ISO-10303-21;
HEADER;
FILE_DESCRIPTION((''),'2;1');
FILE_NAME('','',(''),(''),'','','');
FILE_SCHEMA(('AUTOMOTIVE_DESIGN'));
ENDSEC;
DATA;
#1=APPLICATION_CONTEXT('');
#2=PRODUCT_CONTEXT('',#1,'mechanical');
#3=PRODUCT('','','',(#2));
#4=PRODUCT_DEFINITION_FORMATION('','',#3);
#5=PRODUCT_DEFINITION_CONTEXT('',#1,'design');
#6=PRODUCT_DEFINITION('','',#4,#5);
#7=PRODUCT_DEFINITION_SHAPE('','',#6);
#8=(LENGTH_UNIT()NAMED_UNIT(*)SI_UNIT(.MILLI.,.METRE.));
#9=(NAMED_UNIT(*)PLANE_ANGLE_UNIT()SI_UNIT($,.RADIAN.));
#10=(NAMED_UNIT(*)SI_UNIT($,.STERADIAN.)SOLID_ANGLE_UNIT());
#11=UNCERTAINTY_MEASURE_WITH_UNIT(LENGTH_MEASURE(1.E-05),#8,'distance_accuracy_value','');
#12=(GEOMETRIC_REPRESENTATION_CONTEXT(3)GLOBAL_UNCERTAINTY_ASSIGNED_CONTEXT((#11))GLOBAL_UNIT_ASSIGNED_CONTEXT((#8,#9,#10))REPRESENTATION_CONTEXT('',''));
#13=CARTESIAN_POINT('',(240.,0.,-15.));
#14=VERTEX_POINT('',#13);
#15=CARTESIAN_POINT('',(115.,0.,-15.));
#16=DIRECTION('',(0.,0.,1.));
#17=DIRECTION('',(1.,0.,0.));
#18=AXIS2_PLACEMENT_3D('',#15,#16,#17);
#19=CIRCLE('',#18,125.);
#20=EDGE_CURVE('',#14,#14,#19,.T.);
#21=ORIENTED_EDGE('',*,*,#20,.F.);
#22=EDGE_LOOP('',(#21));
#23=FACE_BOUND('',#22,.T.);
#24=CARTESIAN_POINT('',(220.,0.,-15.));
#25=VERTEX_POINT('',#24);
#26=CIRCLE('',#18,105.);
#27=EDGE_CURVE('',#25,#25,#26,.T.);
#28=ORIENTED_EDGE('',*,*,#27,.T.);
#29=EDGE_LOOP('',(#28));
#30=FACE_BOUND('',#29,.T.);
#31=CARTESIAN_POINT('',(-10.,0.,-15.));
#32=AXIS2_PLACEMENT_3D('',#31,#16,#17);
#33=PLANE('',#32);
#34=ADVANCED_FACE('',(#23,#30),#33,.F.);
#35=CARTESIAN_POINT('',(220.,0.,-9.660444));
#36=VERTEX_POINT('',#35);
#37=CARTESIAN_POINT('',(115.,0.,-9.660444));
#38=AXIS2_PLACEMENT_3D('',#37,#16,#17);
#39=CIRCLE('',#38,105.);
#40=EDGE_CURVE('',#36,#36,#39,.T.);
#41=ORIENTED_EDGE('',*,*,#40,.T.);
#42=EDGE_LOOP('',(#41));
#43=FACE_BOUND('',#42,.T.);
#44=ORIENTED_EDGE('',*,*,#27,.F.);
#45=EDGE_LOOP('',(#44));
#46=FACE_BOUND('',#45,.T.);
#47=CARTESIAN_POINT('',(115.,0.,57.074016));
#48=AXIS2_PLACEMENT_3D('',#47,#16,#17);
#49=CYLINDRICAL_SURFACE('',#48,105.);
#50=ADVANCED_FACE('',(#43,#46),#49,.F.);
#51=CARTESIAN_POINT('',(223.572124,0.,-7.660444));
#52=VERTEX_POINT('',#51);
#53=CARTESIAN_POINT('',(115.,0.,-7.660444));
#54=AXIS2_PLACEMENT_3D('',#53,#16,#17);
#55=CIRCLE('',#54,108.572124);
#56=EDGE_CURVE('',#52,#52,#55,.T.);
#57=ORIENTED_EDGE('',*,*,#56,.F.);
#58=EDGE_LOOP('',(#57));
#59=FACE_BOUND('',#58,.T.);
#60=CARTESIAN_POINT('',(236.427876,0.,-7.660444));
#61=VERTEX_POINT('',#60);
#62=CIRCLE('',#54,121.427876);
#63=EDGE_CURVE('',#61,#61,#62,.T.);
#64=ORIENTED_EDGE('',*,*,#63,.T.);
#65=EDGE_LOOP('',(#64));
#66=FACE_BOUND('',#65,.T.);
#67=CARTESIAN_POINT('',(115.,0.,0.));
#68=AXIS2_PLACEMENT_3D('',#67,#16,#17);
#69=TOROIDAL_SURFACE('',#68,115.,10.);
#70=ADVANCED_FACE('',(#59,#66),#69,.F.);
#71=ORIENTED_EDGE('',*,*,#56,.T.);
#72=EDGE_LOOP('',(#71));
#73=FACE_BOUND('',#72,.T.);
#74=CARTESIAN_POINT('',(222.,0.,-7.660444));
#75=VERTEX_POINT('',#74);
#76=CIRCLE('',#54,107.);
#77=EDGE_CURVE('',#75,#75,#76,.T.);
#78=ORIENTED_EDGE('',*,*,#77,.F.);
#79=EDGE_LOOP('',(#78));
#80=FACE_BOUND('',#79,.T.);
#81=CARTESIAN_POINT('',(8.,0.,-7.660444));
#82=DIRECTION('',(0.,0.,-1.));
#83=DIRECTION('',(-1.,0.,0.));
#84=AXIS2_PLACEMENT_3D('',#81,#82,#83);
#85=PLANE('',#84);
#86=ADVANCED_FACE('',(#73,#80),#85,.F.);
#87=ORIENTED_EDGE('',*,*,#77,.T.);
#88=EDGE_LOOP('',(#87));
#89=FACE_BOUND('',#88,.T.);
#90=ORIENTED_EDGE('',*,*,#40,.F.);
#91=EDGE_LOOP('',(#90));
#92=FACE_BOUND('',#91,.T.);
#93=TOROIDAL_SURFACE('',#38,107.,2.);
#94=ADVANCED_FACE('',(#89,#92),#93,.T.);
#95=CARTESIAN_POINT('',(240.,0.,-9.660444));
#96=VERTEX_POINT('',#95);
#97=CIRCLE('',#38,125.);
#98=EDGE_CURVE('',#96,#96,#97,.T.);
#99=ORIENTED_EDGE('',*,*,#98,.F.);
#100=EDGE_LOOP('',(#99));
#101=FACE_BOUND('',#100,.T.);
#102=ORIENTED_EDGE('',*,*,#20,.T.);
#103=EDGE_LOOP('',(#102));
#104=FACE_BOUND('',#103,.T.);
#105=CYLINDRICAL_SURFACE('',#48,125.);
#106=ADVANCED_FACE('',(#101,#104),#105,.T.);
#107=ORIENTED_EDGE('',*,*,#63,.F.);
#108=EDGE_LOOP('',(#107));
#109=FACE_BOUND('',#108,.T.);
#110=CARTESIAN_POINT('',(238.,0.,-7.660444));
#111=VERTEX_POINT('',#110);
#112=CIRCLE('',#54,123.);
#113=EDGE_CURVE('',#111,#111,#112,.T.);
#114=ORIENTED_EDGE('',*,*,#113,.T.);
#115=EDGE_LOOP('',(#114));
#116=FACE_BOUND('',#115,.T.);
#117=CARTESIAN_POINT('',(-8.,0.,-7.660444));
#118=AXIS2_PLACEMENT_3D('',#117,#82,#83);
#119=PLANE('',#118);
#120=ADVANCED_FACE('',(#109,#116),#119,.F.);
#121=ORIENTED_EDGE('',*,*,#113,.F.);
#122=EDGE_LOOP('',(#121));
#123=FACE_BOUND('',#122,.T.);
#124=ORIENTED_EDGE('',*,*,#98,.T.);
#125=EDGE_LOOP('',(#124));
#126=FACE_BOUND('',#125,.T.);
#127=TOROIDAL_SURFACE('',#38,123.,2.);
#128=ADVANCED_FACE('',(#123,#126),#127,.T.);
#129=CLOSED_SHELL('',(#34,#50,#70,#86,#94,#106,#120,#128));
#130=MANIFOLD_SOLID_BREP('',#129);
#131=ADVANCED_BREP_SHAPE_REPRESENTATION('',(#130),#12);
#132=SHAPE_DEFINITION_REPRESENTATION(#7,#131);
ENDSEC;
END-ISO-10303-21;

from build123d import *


with BuildPart() as part:
    # 草圖3 → 旋轉2 (revolve)
    with BuildSketch(Plane(origin=(0, 0, 0), x_dir=(1, 0, 0), z_dir=(0, 1, 0))):
        with BuildLine():
            Line((-10, 15), (10, 15))
            Line((10, 15), (10, 9.660444431))
            ThreePointArc((10, 9.660444431), (9.414213562, 8.246230869), (8, 7.660444431))
            Line((8, 7.660444431), (6.427876097, 7.660444431))
            ThreePointArc((6.427876097, 7.660444431), (0, 10), (-6.427876097, 7.660444431))
            Line((-6.427876097, 7.660444431), (-8, 7.660444431))
            ThreePointArc((-8, 7.660444431), (-9.414213562, 8.246230869), (-10, 9.660444431))
            Line((-10, 9.660444431), (-10, 15))
        make_face()
    revolve(axis=Axis((115, 0, 57.074015866), (0, 0, -1)))


solid = part.part
